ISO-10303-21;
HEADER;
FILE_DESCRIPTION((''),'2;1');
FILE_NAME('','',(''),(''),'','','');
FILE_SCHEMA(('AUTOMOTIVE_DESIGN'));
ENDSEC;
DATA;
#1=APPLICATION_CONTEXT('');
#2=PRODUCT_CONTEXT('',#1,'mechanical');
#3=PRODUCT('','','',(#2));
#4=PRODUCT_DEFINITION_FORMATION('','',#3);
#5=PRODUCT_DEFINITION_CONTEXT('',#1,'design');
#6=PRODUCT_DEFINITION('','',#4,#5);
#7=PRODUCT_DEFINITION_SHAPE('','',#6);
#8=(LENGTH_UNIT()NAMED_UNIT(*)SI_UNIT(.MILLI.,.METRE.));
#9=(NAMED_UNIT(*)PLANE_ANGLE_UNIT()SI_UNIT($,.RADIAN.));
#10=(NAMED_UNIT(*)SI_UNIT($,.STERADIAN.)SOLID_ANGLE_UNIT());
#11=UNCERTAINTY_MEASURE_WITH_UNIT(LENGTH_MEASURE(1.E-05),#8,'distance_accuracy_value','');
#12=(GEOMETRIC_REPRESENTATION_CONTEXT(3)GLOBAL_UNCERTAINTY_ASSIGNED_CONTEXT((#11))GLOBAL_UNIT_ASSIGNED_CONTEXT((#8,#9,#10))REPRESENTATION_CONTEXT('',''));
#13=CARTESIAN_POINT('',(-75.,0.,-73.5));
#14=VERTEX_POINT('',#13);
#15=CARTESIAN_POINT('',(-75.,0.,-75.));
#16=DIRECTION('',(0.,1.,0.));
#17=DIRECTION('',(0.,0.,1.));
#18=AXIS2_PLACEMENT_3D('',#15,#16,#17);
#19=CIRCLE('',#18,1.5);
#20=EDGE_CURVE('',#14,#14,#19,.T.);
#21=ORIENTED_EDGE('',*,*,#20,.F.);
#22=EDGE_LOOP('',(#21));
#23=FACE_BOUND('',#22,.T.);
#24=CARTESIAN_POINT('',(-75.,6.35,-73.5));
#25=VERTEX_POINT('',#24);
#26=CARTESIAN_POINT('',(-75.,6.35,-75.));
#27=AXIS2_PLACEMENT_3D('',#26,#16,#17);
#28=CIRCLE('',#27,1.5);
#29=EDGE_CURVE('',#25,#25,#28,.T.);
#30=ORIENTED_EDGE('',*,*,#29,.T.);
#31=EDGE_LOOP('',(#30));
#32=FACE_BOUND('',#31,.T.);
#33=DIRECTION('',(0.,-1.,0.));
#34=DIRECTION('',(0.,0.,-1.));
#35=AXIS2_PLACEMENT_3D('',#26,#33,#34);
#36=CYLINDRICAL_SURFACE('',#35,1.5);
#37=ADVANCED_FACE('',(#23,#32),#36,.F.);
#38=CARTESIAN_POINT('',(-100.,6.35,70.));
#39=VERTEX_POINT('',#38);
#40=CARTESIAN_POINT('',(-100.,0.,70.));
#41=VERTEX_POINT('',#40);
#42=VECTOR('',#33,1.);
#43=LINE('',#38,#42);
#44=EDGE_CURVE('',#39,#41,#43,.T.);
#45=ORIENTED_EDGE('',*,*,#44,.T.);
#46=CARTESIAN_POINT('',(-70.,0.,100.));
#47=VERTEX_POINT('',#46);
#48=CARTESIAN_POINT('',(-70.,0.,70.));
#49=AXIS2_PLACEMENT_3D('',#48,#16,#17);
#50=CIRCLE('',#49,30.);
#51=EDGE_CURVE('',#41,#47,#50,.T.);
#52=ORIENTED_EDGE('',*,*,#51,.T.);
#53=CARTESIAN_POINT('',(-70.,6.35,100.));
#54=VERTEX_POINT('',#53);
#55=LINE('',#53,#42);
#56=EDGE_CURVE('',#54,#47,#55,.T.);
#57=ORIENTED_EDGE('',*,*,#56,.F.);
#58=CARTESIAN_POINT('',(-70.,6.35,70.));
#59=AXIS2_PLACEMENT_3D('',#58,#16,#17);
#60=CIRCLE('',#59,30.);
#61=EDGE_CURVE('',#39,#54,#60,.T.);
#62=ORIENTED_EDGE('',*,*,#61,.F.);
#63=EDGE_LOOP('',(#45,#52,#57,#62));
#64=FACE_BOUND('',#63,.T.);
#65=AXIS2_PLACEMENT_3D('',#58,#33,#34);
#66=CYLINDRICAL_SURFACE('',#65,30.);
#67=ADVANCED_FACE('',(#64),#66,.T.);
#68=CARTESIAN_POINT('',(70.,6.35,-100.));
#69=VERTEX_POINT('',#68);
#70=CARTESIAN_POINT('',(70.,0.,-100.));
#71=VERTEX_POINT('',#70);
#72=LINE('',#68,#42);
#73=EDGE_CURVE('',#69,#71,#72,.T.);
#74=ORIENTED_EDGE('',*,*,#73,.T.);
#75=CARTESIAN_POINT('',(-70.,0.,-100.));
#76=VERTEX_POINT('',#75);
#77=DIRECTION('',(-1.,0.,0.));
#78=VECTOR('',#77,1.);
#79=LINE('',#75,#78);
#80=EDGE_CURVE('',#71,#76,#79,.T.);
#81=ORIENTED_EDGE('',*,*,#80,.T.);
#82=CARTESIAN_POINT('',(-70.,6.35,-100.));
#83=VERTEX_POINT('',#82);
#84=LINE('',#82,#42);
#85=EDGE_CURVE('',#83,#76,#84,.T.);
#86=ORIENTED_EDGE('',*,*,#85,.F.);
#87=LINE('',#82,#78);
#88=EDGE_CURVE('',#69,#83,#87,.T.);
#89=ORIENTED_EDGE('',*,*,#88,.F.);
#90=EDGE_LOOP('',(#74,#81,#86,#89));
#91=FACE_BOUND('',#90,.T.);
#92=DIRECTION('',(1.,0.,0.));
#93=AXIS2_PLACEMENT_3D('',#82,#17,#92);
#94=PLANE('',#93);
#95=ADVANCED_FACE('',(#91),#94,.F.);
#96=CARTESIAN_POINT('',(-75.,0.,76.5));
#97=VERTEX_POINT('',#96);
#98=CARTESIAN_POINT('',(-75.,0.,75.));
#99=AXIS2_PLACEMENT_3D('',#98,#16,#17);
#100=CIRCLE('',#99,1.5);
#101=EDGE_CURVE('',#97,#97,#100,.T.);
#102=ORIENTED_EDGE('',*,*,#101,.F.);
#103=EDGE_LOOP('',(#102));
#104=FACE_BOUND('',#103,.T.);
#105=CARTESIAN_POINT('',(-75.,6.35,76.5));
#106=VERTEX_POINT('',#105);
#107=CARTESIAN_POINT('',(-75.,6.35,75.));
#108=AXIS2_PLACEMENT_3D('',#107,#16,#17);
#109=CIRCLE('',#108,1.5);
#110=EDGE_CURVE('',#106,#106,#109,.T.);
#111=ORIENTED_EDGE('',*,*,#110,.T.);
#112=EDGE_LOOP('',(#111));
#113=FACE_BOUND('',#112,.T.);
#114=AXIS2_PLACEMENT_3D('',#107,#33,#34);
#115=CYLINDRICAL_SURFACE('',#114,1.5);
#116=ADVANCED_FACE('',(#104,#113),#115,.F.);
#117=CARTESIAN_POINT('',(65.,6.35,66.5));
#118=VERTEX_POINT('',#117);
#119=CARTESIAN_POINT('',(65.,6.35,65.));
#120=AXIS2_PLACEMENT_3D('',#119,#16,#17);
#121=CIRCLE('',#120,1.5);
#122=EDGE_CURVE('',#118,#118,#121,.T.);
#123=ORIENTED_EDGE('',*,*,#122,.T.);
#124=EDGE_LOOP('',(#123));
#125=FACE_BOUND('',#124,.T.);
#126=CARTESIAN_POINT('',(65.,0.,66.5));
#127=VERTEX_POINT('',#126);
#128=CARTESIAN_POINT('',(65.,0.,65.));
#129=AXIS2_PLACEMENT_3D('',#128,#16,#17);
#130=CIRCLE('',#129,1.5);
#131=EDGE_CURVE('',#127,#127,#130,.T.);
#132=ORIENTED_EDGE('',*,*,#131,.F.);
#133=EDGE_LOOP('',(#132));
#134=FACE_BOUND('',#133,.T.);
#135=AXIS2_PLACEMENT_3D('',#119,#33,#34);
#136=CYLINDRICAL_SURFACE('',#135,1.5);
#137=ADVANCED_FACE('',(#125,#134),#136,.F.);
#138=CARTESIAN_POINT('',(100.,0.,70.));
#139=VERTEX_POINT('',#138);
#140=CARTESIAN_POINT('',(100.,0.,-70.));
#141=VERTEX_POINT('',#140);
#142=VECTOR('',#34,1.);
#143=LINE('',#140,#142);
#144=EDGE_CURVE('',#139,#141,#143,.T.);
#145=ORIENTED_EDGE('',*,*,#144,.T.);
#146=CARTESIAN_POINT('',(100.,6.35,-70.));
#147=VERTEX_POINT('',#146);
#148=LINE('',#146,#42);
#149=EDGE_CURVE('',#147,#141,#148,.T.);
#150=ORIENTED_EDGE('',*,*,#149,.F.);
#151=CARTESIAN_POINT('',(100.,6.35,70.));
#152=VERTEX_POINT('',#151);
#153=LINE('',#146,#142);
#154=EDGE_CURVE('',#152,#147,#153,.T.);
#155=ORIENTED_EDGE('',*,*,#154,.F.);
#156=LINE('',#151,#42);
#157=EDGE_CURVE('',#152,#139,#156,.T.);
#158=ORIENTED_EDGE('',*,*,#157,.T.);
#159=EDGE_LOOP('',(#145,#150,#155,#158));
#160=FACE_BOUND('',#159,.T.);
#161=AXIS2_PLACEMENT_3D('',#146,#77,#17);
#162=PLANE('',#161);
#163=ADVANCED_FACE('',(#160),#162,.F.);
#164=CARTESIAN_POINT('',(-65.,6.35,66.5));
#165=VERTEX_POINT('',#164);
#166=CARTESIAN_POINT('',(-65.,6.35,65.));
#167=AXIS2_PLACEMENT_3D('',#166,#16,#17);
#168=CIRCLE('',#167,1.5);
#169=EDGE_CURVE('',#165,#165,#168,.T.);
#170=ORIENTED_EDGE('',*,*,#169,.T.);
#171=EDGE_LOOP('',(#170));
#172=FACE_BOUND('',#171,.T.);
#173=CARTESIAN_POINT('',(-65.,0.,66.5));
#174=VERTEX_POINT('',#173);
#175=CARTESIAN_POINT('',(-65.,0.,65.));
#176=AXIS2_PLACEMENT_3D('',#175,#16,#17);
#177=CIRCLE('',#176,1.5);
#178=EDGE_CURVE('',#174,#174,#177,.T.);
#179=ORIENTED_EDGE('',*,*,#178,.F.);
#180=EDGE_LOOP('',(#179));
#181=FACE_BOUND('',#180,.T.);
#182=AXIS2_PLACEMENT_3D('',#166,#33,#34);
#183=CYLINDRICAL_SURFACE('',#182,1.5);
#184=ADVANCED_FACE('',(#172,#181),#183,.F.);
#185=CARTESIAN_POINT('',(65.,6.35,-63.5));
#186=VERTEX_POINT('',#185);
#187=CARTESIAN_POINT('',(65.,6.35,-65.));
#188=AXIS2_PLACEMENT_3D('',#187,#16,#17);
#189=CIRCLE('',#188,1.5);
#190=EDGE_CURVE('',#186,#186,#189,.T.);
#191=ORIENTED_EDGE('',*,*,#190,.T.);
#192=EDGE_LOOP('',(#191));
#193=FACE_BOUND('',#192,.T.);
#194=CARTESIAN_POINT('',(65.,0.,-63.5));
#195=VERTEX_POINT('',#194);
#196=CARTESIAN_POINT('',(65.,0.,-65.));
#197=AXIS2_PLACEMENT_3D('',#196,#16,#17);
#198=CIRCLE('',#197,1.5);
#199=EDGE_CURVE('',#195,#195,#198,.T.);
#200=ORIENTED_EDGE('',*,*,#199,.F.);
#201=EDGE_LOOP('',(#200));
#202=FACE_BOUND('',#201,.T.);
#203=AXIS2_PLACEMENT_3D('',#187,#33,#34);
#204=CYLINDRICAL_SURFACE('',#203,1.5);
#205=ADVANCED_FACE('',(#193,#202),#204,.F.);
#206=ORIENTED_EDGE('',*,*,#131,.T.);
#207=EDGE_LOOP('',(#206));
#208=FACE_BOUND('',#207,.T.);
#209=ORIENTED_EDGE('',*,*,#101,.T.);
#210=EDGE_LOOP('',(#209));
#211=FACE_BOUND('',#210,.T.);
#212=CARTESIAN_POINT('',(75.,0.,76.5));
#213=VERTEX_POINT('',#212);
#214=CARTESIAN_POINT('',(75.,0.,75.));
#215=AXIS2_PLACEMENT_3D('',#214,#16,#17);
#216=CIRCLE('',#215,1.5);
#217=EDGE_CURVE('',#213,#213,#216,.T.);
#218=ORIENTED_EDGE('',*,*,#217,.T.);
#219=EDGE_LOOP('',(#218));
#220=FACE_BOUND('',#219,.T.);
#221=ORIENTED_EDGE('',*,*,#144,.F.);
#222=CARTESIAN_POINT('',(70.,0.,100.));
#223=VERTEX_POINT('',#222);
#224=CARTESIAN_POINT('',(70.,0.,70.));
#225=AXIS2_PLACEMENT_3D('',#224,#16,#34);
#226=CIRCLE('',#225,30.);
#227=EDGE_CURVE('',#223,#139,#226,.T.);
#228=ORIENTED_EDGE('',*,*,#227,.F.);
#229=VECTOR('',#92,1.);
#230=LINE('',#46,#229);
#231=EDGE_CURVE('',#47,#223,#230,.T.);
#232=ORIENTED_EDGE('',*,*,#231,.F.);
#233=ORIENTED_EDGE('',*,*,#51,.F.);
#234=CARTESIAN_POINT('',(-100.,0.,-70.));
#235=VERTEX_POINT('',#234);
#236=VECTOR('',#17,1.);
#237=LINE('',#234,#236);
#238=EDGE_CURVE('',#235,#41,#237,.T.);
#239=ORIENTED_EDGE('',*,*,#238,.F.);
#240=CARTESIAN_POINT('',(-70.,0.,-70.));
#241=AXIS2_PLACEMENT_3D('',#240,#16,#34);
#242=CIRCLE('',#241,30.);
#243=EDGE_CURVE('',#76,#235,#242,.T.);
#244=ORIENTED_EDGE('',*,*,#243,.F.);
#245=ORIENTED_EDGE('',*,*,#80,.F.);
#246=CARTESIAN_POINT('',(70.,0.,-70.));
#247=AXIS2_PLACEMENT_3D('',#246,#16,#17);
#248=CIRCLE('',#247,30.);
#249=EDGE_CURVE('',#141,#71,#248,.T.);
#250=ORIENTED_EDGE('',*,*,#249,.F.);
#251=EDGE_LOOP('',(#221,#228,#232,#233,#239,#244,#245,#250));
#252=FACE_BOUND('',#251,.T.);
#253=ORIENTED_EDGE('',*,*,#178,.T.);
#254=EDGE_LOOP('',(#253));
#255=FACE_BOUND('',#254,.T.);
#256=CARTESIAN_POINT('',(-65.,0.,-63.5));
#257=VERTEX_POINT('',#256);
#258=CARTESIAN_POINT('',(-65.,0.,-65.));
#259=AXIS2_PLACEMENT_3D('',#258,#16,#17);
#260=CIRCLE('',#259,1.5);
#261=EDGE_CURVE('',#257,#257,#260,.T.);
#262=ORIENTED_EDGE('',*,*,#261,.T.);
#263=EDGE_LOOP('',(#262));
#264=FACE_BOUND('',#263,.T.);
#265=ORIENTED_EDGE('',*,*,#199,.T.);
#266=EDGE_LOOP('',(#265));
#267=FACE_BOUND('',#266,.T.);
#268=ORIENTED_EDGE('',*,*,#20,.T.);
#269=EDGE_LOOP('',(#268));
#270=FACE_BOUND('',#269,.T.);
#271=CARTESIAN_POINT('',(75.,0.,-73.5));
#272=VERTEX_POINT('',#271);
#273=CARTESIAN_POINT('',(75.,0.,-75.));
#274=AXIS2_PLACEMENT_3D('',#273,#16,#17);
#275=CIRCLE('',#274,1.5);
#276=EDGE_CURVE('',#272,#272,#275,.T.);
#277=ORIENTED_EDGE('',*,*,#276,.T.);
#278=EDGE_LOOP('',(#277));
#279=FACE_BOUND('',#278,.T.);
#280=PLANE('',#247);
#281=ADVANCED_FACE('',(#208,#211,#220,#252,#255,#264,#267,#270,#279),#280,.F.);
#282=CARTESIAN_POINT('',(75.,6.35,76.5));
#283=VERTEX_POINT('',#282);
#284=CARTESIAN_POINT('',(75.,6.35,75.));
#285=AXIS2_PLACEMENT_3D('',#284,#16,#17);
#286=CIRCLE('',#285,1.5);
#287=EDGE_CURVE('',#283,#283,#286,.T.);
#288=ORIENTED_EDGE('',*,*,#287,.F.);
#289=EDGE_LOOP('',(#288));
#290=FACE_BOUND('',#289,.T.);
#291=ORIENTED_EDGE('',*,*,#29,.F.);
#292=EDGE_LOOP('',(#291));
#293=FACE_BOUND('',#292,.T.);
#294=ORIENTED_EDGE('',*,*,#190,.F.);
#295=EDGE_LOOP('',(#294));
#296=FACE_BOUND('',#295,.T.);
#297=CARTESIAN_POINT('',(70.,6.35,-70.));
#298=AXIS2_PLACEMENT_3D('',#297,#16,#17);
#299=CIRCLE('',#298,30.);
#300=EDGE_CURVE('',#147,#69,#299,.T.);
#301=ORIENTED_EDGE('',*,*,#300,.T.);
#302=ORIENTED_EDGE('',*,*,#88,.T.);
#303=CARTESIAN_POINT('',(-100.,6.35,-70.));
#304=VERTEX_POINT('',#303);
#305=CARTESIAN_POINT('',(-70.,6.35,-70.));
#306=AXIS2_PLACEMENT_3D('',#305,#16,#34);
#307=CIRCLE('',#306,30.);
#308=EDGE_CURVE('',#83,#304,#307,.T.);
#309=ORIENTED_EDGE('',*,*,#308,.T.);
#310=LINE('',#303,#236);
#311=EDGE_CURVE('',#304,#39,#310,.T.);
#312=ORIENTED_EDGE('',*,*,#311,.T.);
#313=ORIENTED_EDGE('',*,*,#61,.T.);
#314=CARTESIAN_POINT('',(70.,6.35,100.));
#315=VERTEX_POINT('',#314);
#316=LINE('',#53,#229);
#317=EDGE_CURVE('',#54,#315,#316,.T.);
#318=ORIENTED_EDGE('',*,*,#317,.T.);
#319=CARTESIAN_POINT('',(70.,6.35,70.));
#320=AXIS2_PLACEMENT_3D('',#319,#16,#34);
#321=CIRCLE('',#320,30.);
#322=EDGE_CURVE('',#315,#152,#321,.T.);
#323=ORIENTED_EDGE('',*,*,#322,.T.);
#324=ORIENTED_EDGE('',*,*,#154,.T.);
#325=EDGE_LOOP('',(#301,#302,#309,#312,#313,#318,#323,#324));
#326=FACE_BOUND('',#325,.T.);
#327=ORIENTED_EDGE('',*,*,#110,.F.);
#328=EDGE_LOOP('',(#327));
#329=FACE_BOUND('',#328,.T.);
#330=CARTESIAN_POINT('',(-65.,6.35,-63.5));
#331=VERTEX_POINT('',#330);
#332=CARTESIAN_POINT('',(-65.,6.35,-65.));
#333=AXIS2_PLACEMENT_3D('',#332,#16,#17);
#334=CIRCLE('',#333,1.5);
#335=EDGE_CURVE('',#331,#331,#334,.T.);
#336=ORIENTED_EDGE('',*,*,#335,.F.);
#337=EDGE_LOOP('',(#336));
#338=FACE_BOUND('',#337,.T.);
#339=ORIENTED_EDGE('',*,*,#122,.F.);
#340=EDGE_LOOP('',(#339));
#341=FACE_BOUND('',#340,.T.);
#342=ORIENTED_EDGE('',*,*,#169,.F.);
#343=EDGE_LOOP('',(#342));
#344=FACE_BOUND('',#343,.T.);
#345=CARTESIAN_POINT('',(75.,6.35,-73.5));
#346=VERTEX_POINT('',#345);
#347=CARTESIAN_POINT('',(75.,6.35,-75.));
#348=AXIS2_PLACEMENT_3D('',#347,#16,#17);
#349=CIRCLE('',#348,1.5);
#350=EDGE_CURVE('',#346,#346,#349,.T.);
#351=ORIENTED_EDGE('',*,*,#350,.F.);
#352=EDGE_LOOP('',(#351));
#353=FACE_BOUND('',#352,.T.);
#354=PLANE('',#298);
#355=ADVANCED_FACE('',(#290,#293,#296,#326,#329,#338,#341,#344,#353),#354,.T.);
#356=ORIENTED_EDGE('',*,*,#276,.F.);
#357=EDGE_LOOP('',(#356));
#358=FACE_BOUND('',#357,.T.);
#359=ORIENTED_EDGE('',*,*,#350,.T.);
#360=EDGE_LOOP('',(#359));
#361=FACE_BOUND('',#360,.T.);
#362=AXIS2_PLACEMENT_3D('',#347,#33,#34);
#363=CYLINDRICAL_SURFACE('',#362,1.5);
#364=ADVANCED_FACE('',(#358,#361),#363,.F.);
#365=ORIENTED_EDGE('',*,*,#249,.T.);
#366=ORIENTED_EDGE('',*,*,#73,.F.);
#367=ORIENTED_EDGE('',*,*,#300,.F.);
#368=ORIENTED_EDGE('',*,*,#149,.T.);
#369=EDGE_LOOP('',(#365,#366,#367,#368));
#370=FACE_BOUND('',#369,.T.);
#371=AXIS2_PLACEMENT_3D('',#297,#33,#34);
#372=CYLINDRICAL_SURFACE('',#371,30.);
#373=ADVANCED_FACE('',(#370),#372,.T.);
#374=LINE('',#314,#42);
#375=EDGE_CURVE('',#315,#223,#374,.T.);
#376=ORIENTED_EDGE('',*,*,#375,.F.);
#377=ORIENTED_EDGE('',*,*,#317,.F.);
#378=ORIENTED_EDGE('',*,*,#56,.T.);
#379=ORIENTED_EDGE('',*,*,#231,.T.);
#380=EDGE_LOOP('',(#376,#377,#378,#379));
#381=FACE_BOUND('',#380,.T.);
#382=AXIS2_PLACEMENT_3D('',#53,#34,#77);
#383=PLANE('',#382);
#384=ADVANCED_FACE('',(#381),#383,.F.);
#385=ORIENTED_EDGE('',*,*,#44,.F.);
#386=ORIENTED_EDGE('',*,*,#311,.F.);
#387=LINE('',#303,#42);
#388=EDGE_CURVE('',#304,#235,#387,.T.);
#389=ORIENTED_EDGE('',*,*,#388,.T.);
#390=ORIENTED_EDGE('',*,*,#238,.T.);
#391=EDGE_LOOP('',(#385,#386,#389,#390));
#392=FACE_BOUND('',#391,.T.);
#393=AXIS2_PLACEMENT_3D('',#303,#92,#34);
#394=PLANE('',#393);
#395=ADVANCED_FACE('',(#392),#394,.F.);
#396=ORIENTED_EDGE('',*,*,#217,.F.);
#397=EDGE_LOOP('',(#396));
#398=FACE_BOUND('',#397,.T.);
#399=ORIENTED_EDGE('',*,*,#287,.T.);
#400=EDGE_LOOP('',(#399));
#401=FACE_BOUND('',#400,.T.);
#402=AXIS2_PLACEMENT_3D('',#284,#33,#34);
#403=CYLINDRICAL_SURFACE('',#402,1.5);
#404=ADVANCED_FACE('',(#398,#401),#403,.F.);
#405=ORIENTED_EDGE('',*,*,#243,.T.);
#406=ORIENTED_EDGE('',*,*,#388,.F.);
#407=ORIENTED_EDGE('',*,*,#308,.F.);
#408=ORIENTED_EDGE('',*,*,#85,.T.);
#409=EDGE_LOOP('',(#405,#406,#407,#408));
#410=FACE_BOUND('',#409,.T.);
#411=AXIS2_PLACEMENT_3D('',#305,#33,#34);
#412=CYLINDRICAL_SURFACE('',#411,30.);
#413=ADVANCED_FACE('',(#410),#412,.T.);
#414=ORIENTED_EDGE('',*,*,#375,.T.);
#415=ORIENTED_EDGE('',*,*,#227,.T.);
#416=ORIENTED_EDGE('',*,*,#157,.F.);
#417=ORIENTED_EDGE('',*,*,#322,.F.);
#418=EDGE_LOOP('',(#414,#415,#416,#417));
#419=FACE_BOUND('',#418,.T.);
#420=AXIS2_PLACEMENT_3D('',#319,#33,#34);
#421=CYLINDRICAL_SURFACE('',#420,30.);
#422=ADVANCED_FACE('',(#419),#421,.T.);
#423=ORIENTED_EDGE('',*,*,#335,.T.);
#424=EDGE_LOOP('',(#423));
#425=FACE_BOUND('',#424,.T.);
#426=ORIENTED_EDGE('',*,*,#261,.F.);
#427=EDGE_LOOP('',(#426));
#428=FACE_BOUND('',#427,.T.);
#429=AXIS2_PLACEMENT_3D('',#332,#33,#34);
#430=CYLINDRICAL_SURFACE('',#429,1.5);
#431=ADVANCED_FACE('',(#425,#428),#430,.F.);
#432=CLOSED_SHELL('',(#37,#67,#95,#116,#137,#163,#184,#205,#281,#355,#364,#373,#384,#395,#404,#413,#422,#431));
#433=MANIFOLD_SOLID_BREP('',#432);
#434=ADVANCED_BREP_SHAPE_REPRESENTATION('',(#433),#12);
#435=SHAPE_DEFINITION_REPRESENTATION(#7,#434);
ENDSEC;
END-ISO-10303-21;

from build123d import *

# Parameters (mm, degrees)
SKETCH1_R           = 1.5
BOSS_EXTRUDE1_DEPTH = 6.35


with BuildPart() as part:
    # Sketch1 → Boss-Extrude1 (new body)
    with BuildSketch(Plane(origin=(0, 0, 0), x_dir=(1, 0, 0), z_dir=(0, 1, 0))):
        with BuildLine():
            Line((-70, -100), (70, -100))
            ThreePointArc((70, -100), (91.213203436, -91.213203436), (100, -70))
            Line((100, -70), (100, 70))
            ThreePointArc((100, 70), (91.213203436, 91.213203436), (70, 100))
            Line((70, 100), (-70, 100))
            ThreePointArc((-70, 100), (-91.213203436, 91.213203436), (-100, 70))
            Line((-100, 70), (-100, -70))
            ThreePointArc((-100, -70), (-91.213203436, -91.213203436), (-70, -100))
        make_face()
        with Locations((75, 75)):
            Circle(SKETCH1_R, mode=Mode.SUBTRACT)
        with Locations((65, 65)):
            Circle(SKETCH1_R, mode=Mode.SUBTRACT)
        with Locations((65, -65)):
            Circle(SKETCH1_R, mode=Mode.SUBTRACT)
        with Locations((75, -75)):
            Circle(SKETCH1_R, mode=Mode.SUBTRACT)
        with Locations((-65, -65)):
            Circle(SKETCH1_R, mode=Mode.SUBTRACT)
        with Locations((-75, -75)):
            Circle(SKETCH1_R, mode=Mode.SUBTRACT)
        with Locations((-65, 65)):
            Circle(SKETCH1_R, mode=Mode.SUBTRACT)
        with Locations((-75, 75)):
            Circle(SKETCH1_R, mode=Mode.SUBTRACT)
    extrude(amount=BOSS_EXTRUDE1_DEPTH)


solid = part.part
